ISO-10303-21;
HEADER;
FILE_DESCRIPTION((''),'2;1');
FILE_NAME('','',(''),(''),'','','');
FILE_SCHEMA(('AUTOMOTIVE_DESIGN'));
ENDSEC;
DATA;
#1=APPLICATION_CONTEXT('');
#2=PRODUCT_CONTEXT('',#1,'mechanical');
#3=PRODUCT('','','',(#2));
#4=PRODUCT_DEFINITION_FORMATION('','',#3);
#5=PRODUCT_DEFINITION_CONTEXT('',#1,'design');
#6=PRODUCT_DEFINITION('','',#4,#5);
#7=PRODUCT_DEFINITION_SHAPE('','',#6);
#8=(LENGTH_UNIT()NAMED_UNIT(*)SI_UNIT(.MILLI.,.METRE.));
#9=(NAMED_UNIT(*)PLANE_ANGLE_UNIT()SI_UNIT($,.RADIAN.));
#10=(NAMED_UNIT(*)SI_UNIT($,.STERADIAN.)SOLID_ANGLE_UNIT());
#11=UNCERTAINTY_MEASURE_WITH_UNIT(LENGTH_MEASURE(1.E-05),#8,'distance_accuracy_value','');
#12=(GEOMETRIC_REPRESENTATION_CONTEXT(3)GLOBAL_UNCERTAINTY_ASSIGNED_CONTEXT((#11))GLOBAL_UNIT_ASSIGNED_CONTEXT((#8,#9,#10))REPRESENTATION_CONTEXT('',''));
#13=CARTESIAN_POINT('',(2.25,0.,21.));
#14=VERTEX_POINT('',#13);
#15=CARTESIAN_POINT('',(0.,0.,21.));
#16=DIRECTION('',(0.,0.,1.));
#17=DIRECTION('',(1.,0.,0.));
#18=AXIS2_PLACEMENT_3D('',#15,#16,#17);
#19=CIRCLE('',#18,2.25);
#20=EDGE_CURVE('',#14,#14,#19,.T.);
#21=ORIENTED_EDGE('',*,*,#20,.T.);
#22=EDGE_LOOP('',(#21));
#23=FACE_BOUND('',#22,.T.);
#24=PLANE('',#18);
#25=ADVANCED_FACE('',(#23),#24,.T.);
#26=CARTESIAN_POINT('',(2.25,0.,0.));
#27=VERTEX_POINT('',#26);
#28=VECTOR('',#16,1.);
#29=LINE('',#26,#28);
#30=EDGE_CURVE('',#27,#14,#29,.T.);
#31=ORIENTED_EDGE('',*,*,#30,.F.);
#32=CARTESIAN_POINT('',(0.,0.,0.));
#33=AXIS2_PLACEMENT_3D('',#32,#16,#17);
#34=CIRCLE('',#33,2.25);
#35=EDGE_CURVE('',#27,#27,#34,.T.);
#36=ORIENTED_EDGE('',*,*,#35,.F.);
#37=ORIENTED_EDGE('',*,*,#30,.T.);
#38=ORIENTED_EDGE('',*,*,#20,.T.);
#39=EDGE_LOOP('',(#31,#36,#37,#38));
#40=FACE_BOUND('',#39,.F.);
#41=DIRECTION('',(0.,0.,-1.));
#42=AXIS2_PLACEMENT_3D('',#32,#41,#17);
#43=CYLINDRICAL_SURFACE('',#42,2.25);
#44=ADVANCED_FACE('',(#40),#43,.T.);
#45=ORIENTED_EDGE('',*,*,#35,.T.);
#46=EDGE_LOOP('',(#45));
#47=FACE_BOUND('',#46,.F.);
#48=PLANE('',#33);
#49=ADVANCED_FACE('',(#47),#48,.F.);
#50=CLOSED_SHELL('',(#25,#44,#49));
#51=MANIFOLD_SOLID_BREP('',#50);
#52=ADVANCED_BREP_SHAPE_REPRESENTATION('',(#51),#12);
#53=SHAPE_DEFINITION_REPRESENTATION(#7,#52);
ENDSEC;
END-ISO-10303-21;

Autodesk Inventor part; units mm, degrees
ref_plane "YZ Plane" through (0, 0, 0) normal (1, 0, 0) x (0, 1, 0)
ref_plane "XZ Plane" through (0, 0, 0) normal (0, 1, 0) x (-1, 0, 0)
ref_plane "XY Plane" through (0, 0, 0) normal (0, 0, 1) x (1, 0, 0)
sketch "Sketch1" plane through (0, 0, 0) normal (0, 0, 1) x (1, 0, 0)
  circle A0 centre (0, 0) radius 2.25
  dimension "d0" = 4.5
extrude "Extrusion1" add sketch "Sketch1" along normal blind 21
properties part number "Spring Shafts_3DPrint"
